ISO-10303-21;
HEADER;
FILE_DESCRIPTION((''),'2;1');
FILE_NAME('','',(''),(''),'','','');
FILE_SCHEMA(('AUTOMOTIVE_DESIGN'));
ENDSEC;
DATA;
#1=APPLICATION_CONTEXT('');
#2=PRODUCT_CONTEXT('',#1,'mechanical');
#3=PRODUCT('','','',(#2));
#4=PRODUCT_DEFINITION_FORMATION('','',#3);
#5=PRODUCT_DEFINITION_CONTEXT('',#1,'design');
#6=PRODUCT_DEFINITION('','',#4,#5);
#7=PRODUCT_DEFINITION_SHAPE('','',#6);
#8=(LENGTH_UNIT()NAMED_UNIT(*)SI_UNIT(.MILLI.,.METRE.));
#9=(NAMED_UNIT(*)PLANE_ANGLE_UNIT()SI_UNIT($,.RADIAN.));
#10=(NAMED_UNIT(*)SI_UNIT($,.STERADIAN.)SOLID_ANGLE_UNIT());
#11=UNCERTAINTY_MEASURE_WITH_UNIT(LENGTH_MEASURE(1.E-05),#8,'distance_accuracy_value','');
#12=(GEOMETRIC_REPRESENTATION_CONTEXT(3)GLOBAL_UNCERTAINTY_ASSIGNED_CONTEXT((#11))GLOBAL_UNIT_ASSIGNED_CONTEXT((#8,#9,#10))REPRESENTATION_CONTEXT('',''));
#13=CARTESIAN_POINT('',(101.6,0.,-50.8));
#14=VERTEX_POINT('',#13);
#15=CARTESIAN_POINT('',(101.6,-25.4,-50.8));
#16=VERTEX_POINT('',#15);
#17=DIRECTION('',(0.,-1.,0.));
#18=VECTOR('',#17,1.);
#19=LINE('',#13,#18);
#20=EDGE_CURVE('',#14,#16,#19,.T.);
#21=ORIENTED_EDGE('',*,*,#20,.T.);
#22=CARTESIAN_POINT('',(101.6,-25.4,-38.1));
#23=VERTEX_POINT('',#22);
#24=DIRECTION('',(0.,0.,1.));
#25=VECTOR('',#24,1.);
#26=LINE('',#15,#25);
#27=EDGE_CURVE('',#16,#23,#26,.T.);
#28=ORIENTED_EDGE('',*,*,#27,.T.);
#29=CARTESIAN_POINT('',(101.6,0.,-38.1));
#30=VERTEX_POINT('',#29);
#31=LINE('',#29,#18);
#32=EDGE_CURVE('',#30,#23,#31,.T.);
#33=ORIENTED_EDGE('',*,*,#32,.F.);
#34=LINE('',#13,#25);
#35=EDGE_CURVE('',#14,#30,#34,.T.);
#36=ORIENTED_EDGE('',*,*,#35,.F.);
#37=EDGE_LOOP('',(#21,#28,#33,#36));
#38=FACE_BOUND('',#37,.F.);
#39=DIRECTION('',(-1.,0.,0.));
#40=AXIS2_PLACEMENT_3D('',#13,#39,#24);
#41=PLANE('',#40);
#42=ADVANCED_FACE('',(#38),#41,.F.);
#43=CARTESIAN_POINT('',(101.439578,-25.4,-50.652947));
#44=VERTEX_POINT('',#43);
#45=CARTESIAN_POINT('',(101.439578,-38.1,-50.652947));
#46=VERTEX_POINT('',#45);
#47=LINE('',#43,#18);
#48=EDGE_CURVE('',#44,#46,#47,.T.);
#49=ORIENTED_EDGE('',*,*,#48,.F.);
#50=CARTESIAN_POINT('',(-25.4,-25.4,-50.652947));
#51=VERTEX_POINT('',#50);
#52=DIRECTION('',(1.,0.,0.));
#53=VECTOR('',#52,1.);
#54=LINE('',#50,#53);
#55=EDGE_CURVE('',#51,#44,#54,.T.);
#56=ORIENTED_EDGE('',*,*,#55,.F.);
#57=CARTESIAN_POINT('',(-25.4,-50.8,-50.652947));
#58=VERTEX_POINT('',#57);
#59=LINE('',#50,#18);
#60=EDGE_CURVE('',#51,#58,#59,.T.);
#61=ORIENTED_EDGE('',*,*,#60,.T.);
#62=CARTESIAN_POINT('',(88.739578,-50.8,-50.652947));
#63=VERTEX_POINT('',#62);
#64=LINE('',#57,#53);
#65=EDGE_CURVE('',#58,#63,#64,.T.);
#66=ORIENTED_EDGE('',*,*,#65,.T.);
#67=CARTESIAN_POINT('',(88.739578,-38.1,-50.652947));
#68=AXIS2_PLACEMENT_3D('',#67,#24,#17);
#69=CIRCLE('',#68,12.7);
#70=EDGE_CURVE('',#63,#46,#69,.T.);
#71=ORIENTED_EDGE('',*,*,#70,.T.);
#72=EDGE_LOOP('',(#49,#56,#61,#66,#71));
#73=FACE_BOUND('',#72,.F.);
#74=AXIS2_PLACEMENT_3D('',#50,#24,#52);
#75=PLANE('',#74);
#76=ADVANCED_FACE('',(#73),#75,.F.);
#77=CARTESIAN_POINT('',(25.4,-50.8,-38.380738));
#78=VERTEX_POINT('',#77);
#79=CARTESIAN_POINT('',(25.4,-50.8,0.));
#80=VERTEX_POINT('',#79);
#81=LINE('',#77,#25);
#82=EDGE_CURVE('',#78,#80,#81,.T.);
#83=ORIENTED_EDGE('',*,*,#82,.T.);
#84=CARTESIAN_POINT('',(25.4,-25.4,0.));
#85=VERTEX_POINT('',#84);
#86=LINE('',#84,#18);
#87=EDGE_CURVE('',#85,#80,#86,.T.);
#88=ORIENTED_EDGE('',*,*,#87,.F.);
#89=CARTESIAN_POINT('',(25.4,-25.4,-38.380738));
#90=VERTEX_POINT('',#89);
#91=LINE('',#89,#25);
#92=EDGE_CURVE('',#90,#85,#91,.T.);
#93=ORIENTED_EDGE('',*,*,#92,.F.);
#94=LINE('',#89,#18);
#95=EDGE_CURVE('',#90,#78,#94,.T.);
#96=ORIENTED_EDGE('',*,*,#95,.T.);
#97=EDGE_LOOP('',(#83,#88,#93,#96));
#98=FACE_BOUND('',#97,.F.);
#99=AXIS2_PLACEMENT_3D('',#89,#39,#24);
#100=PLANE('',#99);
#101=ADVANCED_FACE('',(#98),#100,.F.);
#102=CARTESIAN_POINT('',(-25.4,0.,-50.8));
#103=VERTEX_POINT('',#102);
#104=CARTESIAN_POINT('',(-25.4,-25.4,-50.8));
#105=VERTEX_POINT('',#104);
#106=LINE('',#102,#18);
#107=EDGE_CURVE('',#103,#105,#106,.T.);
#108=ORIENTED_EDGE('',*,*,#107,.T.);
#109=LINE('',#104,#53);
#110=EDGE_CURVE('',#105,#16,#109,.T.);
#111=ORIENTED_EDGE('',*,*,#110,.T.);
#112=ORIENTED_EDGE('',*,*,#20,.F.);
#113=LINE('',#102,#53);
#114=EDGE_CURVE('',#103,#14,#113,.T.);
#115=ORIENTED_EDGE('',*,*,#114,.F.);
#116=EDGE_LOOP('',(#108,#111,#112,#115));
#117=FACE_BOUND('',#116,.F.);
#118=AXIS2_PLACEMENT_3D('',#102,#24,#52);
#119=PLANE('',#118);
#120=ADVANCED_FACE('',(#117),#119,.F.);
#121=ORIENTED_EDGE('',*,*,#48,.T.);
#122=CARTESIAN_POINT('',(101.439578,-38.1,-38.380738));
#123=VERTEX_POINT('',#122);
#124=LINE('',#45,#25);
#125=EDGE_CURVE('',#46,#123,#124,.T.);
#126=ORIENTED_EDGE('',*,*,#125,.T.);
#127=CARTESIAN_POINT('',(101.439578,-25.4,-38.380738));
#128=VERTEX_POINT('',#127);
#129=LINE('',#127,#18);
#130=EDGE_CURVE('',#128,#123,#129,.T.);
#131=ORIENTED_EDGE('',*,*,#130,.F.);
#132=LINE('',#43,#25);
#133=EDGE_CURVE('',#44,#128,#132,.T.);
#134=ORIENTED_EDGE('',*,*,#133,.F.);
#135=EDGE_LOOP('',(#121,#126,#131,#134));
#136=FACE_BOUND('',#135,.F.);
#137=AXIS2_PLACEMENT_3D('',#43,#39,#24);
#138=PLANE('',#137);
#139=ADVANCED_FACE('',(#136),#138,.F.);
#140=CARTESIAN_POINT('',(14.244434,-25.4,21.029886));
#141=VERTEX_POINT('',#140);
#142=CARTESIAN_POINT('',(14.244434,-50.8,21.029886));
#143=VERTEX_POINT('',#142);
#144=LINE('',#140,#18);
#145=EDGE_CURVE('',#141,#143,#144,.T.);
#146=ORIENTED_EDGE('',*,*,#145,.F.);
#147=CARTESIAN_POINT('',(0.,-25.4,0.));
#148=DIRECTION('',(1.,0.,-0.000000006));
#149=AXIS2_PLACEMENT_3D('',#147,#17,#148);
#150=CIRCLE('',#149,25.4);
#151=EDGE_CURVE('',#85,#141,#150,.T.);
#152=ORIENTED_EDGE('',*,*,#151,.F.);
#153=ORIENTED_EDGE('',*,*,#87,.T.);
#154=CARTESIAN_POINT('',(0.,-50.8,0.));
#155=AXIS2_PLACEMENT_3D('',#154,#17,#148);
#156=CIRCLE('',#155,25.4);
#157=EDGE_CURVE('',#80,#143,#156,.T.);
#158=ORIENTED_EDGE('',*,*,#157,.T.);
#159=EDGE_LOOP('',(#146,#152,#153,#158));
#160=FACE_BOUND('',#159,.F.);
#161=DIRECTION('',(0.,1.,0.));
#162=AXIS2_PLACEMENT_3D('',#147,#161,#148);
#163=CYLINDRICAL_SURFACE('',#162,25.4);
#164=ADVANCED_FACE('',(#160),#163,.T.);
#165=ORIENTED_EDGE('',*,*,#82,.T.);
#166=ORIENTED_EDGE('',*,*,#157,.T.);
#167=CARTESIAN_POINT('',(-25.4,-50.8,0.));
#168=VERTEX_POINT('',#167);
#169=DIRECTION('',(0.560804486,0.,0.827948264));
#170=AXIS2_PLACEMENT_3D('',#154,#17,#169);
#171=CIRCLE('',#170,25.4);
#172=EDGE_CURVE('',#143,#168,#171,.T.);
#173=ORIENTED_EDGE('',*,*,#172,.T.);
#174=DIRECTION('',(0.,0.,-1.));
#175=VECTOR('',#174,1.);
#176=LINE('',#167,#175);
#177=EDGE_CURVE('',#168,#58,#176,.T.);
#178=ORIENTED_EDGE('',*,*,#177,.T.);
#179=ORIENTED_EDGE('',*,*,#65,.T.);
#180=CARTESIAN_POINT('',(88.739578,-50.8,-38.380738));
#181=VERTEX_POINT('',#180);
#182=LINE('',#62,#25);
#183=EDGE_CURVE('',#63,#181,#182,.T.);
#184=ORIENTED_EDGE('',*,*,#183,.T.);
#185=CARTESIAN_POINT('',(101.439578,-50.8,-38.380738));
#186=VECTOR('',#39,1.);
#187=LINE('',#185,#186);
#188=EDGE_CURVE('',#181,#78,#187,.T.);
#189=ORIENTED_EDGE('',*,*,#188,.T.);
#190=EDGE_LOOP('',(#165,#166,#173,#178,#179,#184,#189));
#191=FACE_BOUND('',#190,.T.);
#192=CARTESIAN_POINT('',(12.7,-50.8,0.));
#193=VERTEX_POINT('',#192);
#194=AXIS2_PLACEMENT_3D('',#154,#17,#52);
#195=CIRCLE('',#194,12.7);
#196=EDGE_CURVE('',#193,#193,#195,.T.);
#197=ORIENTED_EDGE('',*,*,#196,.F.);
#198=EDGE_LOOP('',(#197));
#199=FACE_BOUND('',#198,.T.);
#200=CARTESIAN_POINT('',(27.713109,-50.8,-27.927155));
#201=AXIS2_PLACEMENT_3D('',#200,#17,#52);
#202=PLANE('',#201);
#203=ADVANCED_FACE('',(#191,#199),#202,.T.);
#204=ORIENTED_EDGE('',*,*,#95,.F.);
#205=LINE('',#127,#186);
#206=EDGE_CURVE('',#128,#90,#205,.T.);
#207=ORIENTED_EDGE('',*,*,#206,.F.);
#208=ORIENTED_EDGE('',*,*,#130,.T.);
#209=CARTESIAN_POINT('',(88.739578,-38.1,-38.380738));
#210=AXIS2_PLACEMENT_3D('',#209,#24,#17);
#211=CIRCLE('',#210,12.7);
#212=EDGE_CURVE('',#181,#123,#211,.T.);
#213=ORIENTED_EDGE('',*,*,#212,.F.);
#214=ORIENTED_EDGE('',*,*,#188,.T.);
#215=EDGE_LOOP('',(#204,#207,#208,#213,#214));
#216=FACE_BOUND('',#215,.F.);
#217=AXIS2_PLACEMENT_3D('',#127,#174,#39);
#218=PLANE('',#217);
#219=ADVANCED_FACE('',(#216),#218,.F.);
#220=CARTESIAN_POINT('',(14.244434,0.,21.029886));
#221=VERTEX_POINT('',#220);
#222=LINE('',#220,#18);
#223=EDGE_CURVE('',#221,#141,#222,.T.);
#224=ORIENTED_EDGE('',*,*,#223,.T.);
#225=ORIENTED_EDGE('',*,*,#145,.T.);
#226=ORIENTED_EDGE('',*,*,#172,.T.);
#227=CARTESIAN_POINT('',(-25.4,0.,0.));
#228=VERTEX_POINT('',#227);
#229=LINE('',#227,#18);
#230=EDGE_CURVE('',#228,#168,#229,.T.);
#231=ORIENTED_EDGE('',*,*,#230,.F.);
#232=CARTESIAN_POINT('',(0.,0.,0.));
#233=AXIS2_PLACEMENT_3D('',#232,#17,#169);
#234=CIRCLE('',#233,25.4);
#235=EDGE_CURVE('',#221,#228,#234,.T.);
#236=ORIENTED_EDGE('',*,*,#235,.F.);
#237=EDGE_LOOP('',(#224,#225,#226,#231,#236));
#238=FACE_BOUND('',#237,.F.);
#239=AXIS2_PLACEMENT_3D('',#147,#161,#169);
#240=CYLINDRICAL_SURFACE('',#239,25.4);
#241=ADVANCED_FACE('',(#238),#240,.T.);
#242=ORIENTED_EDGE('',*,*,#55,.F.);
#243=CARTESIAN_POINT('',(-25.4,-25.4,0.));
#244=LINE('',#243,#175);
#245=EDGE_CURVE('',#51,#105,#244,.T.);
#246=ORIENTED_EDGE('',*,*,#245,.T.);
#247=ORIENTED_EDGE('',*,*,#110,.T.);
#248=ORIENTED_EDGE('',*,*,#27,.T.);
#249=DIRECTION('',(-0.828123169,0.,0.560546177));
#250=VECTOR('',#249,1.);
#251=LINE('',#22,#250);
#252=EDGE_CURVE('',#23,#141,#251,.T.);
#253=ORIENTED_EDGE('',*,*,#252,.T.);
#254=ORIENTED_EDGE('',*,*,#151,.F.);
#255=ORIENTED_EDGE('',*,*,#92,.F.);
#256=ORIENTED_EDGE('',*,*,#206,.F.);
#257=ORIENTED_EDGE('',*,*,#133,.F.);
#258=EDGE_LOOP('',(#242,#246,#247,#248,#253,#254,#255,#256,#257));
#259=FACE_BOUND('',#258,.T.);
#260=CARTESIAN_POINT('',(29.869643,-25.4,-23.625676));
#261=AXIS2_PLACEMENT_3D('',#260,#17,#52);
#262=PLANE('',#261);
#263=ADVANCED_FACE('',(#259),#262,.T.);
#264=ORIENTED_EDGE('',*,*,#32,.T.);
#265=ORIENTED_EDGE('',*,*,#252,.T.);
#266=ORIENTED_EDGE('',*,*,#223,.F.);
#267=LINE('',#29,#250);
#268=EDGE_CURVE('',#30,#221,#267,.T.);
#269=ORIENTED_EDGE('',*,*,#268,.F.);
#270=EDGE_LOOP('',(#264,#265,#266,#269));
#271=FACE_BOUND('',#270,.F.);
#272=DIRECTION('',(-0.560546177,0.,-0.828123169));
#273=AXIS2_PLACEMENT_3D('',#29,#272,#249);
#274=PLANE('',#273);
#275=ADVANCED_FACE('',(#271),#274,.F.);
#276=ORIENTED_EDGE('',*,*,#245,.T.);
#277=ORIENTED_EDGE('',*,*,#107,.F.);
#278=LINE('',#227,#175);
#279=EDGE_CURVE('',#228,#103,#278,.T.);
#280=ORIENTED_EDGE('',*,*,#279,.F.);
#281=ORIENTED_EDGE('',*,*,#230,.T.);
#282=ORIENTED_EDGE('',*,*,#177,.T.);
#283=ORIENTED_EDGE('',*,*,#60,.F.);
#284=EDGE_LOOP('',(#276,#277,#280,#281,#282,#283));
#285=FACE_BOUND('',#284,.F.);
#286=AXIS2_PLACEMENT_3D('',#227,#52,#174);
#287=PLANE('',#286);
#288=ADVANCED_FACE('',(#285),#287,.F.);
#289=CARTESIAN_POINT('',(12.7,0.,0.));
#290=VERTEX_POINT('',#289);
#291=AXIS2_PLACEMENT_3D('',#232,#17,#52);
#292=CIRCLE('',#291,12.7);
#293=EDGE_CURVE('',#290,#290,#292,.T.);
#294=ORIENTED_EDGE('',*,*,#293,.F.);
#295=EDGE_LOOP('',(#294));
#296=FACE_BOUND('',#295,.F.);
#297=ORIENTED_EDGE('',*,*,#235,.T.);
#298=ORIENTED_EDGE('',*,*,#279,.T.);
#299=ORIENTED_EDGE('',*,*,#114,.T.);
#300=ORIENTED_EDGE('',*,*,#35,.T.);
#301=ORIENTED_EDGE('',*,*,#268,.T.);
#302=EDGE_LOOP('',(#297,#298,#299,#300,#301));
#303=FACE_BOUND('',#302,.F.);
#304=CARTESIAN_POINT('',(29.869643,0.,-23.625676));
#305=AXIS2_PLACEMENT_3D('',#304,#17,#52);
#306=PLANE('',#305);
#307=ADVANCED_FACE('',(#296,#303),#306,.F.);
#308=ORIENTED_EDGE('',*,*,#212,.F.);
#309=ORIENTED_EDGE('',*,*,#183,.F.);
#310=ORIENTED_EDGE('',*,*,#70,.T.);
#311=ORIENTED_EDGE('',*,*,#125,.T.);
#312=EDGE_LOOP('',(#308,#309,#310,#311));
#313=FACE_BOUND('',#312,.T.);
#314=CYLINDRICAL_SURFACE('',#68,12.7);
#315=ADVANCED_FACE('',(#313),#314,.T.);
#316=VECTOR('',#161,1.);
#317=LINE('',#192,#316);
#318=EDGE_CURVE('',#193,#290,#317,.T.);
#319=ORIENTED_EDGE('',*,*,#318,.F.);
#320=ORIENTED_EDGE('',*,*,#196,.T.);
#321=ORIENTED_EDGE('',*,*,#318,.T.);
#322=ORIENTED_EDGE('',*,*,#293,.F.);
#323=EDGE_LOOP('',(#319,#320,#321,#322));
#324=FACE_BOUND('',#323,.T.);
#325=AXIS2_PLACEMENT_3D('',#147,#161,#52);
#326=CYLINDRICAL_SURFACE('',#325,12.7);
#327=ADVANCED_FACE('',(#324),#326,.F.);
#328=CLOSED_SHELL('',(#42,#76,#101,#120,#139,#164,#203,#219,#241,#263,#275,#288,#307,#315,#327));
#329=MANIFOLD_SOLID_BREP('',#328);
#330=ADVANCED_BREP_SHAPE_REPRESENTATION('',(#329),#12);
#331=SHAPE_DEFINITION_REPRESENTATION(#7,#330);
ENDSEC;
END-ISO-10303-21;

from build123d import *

# Parameters (mm, degrees)
F0_R     = 12.7
F1_DEPTH = 25.4
F2_R     = 12.7
F3_DEPTH = 25.4
F4_R     = 12.7


with BuildPart() as f1:
    # F0 (on Front) → F1 (new body)
    with BuildSketch(Plane.XZ):
        with BuildLine():
            Line((101.6, -38.1), (14.244434, 21.029886))
            ThreePointArc((14.244434, 21.029886), (-11.90276, 22.438456), (-25.4, 0))
            Line((-25.4, 0), (-25.4, -50.8))
            Line((-25.4, -50.8), (101.6, -50.8))
            Line((101.6, -50.8), (101.6, -38.1))
        make_face()
        Circle(F0_R, mode=Mode.SUBTRACT)
    extrude(amount=F1_DEPTH)

    # F2 (on face) → F3 (join)
    with BuildSketch(Plane.XZ.offset(25.4)):
        with BuildLine():
            Line((25.4, -38.380738), (25.4, 0))
            ThreePointArc((25.4, 0), (22.438456, 11.90276), (14.244434, 21.029886))
            ThreePointArc((14.244434, 21.029886), (-11.90276, 22.438456), (-25.4, 0))
            Line((-25.4, 0), (-25.4, -50.652947))
            Line((-25.4, -50.652947), (101.439578, -50.652947))
            Line((101.439578, -50.652947), (101.439578, -38.380738))
            Line((101.439578, -38.380738), (25.4, -38.380738))
        make_face()
        Circle(F2_R, mode=Mode.SUBTRACT)
    extrude(amount=F3_DEPTH)

    # F4
    f4_edges = [f1.edges().sort_by_distance(p)[0] for p in [
        (101.439578, -50.8, -44.516843),
    ]]
    fillet(f4_edges, radius=F4_R)


solid = f1.part
